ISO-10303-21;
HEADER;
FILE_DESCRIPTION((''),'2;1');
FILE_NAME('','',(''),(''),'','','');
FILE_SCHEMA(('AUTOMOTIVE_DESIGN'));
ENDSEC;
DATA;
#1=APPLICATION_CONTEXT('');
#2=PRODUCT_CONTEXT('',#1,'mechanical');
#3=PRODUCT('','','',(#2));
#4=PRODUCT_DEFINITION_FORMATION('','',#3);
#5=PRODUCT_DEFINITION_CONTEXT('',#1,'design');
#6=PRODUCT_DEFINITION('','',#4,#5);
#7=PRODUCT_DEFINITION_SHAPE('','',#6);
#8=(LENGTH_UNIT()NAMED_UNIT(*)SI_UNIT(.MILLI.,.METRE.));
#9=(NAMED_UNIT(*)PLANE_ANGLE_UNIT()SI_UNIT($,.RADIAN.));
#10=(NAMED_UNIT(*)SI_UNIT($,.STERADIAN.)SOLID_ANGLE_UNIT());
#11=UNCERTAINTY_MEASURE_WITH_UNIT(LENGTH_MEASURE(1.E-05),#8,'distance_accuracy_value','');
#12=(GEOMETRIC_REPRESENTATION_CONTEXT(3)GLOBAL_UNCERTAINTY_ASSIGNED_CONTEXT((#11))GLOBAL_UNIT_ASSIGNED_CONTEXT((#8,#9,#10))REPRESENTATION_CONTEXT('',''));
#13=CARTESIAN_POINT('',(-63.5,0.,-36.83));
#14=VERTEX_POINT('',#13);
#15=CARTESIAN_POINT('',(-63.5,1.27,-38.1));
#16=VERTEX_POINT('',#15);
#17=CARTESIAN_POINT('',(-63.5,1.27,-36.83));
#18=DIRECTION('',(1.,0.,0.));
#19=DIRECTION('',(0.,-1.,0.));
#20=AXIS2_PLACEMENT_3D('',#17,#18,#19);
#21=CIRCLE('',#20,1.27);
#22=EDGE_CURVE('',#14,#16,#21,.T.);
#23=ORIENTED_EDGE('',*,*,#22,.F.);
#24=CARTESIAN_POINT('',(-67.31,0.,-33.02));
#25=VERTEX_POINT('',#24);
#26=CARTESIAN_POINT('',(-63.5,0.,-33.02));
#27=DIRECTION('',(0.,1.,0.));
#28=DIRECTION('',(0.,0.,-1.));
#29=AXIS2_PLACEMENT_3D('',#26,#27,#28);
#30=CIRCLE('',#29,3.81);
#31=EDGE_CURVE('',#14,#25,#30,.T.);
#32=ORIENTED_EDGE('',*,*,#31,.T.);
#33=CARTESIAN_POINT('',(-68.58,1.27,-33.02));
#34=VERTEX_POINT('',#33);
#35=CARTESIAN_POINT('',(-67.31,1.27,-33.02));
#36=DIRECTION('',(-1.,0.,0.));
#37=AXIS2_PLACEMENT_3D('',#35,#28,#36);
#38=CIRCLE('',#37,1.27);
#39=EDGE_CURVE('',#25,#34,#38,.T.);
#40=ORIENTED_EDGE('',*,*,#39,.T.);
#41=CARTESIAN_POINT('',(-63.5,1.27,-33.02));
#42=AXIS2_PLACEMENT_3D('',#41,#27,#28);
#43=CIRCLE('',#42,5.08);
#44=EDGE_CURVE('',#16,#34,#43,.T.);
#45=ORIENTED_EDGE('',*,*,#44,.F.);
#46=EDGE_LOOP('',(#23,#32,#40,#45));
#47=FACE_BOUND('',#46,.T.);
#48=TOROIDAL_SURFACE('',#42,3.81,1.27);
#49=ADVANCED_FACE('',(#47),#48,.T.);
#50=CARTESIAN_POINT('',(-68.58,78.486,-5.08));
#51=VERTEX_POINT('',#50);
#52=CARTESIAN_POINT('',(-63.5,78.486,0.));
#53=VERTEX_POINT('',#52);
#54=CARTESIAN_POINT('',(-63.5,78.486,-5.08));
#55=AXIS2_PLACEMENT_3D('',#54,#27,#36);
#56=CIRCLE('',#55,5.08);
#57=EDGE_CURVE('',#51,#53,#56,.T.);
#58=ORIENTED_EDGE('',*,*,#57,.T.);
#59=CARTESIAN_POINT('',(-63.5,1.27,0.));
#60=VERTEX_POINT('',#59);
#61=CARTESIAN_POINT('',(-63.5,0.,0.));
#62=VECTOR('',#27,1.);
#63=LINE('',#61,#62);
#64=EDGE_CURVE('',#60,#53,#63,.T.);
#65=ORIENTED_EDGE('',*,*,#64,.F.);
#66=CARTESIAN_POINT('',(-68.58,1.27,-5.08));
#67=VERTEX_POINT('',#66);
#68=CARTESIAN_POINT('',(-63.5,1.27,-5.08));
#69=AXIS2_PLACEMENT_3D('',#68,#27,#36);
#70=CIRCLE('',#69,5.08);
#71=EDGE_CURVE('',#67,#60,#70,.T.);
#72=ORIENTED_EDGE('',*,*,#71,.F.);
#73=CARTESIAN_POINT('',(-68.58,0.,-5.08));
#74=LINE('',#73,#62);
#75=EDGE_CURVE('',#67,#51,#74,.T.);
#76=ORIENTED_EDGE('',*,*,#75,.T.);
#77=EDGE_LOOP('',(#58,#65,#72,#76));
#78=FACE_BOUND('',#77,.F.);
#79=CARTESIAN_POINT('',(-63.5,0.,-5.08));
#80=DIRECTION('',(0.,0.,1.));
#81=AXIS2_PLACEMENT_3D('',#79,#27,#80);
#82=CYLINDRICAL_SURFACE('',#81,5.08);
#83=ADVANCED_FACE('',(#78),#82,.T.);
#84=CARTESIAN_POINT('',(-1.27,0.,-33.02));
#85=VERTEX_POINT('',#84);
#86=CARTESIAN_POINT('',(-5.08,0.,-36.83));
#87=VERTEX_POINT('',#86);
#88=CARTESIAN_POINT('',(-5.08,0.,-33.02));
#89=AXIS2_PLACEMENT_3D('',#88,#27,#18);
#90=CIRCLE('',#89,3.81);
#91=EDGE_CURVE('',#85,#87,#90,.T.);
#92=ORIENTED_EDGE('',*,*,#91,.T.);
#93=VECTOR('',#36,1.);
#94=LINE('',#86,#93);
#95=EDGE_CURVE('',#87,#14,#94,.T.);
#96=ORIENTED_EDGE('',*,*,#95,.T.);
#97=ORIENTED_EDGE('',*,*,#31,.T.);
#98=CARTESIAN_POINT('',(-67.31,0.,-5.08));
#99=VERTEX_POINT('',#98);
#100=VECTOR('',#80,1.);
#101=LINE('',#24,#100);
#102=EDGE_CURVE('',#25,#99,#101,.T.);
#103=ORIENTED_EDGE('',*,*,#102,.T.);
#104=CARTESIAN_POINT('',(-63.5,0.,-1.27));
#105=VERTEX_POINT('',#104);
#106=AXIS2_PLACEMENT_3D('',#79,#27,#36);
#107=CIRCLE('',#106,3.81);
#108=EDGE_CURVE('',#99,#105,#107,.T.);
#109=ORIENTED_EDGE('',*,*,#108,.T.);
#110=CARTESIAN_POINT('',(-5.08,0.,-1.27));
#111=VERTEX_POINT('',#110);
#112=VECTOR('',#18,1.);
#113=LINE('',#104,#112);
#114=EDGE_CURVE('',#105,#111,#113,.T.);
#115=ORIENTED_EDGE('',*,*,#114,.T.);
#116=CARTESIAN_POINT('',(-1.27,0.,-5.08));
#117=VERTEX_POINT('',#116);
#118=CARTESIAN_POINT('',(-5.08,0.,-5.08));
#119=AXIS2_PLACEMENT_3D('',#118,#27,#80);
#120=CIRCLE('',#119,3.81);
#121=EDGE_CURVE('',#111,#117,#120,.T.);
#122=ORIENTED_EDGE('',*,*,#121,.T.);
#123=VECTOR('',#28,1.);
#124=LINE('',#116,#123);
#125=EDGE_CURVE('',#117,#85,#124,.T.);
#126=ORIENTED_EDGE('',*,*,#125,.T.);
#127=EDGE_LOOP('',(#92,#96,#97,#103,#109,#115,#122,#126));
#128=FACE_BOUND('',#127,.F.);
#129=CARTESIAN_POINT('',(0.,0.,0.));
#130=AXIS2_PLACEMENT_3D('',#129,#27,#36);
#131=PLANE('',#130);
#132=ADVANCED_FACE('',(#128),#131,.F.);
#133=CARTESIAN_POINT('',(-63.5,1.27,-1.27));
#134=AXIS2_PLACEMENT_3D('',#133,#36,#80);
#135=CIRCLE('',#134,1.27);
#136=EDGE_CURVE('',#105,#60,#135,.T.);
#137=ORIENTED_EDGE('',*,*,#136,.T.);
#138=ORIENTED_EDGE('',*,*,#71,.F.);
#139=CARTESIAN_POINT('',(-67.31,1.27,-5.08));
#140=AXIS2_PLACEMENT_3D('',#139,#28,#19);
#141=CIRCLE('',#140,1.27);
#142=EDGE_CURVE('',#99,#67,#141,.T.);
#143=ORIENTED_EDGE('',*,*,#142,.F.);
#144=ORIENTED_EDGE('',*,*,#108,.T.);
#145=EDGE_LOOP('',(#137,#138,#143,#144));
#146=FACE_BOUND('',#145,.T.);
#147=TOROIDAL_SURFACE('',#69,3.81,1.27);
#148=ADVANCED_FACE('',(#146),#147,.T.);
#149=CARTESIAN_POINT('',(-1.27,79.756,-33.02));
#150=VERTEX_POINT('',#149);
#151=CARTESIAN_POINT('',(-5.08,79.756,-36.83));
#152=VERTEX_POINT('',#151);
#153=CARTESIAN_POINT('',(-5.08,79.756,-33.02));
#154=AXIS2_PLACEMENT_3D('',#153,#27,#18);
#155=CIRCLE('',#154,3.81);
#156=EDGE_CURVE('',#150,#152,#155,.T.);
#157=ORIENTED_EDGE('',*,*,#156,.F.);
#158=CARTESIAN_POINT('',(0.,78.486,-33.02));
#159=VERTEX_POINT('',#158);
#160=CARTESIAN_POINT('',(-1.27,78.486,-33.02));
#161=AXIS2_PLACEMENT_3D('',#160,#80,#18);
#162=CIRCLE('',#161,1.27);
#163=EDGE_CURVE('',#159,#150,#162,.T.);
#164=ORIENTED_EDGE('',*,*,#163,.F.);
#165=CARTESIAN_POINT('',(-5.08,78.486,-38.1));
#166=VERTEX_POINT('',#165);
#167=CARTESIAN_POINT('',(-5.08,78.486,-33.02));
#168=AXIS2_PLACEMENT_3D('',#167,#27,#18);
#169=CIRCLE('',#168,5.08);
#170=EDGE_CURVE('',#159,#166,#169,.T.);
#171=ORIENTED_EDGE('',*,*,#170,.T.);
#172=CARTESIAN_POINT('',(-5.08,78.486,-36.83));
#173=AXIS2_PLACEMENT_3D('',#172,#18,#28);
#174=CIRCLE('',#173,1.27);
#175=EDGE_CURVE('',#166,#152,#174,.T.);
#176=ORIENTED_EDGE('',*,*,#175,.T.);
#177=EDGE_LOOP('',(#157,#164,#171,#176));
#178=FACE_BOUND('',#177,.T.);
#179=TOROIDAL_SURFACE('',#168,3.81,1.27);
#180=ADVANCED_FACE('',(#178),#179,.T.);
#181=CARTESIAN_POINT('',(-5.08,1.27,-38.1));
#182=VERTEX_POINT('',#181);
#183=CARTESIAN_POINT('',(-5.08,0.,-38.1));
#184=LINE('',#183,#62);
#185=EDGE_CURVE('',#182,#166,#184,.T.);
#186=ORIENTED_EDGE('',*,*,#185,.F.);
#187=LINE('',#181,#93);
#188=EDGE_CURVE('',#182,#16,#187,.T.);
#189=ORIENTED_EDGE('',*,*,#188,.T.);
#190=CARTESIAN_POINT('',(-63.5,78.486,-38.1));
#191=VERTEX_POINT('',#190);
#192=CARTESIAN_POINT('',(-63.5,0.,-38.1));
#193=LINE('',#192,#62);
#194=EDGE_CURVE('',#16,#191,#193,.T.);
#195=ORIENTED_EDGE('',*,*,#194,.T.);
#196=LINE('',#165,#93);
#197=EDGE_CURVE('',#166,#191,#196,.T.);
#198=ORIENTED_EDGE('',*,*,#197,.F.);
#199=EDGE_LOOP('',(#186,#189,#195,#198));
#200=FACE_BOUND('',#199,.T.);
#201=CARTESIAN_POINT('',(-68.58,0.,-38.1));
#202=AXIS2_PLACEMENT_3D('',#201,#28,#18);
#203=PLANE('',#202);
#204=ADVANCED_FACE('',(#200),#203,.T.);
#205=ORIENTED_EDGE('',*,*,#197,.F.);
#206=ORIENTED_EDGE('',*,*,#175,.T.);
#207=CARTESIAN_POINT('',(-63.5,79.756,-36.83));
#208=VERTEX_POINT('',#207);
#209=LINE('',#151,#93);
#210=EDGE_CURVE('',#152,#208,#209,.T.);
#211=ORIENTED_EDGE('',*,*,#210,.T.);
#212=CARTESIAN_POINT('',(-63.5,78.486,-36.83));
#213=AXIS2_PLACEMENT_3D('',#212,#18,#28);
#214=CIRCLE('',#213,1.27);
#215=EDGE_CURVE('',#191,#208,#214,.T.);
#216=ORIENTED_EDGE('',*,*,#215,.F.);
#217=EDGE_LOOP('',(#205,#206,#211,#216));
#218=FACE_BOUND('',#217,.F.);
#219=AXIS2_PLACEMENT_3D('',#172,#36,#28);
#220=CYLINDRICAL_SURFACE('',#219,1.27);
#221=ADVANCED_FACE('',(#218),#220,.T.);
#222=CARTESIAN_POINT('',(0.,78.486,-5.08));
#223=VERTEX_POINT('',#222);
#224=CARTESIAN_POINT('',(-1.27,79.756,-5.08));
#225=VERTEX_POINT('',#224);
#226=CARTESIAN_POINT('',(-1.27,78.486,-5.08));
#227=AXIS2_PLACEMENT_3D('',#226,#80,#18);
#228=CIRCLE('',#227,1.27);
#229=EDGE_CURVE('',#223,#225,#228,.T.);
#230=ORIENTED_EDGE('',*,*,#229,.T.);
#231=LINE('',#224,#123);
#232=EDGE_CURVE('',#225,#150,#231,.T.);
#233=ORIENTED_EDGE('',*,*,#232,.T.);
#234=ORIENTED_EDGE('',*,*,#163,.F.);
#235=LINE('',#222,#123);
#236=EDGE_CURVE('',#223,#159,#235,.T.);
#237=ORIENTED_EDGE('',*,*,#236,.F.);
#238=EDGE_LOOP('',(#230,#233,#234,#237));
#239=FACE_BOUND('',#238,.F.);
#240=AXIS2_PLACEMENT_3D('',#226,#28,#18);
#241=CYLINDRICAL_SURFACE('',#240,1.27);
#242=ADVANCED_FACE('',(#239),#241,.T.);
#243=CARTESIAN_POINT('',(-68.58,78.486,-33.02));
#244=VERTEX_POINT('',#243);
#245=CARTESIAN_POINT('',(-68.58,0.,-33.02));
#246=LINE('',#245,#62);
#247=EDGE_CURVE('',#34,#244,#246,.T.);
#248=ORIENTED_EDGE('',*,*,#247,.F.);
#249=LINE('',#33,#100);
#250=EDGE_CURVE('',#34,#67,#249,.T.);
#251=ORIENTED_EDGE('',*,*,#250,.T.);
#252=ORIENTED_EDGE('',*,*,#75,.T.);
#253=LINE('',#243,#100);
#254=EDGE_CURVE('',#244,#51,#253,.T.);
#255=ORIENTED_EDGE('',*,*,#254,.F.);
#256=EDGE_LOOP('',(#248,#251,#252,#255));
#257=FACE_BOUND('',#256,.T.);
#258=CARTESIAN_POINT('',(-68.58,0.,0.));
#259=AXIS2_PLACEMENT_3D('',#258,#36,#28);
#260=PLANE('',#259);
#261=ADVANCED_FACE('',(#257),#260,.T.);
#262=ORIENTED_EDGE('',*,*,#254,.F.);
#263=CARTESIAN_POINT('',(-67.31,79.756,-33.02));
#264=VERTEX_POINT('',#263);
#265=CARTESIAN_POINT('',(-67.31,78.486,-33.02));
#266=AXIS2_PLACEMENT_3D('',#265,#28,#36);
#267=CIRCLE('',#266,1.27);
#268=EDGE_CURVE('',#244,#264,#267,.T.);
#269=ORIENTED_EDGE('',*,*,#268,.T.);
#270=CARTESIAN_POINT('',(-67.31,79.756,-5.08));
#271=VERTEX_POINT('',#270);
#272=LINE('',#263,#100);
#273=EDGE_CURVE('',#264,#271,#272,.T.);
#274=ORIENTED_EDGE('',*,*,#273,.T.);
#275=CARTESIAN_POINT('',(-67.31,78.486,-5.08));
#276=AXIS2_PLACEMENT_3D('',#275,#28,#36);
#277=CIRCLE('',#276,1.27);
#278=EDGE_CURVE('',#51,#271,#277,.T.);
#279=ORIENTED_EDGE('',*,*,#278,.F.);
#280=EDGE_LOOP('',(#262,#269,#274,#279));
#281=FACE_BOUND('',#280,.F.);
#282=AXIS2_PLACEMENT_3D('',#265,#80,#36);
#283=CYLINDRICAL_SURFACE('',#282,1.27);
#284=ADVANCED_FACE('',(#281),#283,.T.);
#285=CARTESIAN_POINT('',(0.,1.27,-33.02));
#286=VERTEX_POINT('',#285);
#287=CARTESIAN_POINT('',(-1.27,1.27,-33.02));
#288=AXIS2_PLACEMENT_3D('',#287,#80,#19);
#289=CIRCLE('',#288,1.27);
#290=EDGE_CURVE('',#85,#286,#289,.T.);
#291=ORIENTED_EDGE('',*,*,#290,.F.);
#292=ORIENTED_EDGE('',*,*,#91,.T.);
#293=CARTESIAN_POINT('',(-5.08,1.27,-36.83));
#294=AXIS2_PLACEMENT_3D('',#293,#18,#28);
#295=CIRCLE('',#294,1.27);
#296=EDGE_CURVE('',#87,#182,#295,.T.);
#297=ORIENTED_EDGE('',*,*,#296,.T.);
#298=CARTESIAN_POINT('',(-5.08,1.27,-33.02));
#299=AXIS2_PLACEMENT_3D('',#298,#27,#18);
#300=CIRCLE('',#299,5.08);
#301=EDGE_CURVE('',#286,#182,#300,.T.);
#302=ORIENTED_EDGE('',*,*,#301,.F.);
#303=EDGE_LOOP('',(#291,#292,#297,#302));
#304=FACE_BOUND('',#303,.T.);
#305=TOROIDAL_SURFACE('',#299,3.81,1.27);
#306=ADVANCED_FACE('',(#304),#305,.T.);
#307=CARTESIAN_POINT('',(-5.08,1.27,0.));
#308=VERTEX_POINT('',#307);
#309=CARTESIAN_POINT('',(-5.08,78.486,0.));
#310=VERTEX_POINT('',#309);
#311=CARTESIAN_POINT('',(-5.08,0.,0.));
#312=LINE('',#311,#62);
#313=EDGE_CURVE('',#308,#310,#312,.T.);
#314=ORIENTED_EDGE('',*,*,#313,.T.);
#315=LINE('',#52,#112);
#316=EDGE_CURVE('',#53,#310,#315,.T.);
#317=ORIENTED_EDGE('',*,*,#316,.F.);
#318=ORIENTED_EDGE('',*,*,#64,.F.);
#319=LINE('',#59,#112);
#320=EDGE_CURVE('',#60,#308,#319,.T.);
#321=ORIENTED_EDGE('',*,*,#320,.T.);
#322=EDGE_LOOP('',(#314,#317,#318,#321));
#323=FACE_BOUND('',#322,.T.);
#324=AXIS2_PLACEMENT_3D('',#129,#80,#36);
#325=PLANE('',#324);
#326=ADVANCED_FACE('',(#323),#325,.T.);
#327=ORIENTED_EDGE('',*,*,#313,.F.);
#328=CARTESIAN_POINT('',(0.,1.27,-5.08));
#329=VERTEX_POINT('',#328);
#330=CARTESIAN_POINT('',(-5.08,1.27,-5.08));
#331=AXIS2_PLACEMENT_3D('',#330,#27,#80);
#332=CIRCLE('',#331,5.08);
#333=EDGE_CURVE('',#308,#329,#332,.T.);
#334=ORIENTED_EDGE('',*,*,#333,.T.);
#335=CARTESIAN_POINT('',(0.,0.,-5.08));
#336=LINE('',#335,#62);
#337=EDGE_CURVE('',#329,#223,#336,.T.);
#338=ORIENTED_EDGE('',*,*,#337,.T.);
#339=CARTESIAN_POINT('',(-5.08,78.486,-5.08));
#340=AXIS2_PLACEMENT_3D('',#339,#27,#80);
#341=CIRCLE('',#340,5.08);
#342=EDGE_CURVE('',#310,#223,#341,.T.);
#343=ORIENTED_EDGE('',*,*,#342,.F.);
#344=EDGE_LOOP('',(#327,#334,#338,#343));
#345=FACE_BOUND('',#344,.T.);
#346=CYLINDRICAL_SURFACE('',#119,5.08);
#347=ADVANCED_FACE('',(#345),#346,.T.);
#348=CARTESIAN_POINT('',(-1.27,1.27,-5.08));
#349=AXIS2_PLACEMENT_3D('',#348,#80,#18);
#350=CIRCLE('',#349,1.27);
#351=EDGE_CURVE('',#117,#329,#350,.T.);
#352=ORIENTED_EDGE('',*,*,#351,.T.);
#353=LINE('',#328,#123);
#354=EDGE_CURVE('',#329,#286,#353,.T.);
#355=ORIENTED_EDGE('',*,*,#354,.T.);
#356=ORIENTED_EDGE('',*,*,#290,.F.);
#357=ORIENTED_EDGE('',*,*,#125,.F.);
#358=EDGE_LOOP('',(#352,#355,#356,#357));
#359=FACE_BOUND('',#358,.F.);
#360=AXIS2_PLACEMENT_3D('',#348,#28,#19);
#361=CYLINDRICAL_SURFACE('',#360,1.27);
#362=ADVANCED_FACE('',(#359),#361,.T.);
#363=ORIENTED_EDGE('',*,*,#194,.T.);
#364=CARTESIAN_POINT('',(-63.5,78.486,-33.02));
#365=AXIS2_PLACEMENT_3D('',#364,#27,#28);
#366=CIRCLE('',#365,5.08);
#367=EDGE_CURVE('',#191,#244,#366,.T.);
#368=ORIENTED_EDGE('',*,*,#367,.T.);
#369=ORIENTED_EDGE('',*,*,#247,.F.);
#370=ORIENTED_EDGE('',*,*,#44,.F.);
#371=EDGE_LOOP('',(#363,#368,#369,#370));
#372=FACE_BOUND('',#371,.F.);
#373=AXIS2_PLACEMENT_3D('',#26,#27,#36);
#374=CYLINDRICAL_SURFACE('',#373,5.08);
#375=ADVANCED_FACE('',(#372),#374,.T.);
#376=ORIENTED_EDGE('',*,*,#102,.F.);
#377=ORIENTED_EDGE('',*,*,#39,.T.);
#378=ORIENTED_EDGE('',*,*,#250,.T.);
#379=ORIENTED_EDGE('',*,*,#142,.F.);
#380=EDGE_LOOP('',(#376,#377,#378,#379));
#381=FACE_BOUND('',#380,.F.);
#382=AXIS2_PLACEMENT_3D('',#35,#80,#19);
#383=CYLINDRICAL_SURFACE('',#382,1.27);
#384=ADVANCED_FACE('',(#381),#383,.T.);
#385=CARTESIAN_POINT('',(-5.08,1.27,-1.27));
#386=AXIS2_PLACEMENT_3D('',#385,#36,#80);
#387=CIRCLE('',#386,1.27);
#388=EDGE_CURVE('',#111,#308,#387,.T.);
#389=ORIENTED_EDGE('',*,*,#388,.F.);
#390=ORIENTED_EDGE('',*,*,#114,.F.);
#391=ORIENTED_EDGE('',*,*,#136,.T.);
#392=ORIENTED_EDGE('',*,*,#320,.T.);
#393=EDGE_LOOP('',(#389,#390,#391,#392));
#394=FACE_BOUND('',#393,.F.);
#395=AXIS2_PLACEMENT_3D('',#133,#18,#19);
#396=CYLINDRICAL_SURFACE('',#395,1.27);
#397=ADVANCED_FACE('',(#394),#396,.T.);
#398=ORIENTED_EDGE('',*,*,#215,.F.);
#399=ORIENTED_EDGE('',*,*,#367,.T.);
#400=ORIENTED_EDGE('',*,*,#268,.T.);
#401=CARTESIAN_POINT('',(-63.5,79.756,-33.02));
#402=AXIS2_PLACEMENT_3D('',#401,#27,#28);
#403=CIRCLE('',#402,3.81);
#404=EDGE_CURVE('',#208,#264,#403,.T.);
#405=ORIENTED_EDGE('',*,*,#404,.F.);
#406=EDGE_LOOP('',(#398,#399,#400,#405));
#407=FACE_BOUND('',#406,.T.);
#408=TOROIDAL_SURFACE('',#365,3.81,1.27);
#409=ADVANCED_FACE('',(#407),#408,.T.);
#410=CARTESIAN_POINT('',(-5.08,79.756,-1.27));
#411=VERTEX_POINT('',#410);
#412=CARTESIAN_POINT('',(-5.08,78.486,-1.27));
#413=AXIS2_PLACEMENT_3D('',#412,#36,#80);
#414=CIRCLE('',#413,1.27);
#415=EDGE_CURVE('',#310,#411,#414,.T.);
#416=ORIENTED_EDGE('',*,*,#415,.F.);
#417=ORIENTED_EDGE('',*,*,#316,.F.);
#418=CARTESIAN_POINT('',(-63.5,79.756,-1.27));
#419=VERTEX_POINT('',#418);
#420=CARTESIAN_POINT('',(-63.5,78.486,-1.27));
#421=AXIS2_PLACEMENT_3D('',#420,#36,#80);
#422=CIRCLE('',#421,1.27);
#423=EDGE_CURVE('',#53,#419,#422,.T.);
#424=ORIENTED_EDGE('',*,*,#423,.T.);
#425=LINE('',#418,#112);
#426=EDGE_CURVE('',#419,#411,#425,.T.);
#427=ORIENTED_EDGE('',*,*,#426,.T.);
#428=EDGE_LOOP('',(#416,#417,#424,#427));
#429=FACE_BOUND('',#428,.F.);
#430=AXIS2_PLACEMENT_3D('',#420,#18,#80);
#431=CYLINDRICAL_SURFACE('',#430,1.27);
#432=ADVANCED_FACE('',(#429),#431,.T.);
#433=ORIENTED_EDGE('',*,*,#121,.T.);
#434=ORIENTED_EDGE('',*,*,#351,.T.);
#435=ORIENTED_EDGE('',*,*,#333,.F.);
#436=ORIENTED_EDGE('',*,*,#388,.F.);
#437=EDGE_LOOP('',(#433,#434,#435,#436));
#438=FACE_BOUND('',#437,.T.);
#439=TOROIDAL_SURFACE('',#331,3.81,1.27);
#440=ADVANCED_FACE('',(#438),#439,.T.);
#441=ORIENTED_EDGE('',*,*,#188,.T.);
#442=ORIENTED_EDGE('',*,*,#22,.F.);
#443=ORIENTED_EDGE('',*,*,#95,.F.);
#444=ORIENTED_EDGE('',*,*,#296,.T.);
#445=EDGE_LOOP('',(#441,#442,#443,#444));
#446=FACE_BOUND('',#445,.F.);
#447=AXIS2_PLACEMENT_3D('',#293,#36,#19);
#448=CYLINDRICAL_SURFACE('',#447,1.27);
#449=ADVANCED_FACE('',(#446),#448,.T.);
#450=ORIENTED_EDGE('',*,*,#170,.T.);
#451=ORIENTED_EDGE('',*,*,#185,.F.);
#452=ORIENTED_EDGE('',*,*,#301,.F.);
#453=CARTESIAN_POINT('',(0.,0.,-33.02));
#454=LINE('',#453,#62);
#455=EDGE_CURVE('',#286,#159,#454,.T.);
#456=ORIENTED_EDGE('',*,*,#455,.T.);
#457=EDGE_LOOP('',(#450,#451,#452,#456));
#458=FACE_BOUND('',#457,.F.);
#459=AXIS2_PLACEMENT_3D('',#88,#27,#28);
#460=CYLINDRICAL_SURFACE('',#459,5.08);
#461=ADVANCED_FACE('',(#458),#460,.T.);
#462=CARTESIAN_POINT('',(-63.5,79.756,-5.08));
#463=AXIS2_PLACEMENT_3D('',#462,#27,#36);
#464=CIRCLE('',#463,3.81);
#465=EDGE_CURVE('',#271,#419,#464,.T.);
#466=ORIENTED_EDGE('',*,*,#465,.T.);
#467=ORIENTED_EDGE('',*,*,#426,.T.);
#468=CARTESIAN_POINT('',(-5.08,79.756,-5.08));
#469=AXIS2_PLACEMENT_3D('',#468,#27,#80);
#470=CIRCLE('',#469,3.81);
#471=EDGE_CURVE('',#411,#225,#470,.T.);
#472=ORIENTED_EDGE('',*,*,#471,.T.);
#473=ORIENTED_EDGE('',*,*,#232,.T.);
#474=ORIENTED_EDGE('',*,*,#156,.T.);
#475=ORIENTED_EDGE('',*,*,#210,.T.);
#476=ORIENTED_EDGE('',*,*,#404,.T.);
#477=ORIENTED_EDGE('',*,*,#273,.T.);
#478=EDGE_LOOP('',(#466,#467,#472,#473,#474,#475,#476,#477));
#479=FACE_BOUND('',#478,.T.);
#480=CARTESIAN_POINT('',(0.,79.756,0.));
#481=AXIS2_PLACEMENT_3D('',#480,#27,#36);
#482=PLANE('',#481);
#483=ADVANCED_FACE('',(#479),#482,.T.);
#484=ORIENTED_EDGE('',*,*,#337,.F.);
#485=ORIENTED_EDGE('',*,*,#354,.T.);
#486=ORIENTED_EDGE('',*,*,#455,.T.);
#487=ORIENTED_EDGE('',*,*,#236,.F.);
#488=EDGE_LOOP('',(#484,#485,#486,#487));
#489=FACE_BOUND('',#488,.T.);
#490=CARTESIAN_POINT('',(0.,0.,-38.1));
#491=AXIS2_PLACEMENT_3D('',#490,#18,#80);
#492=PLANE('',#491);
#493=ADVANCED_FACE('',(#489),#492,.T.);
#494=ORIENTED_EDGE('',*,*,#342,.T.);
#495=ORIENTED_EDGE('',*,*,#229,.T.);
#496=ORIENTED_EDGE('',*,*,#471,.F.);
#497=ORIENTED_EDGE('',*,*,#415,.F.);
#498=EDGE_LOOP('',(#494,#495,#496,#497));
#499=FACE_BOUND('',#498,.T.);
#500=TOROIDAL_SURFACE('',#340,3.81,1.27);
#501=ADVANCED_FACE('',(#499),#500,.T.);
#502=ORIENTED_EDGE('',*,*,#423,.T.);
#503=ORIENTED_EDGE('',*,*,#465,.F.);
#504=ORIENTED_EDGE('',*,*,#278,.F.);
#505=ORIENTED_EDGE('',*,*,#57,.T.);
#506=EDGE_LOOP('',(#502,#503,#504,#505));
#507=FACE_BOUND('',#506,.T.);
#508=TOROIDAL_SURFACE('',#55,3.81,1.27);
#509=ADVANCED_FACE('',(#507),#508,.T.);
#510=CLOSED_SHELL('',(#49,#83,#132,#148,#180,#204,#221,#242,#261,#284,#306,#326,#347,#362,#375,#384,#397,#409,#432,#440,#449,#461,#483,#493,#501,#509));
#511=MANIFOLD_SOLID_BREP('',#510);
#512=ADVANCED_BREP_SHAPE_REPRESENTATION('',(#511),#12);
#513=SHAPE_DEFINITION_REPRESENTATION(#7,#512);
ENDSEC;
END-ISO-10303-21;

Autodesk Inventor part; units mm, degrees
ref_plane "YZ Plane" through (0, 0, 0) normal (1, 0, 0) x (0, 1, 0)
ref_plane "XZ Plane" through (0, 0, 0) normal (0, 1, 0) x (-1, 0, 0)
ref_plane "XY Plane" through (0, 0, 0) normal (0, 0, 1) x (1, 0, 0)
sketch "Sketch1" plane through (0, 0, 0) normal (0, 1, 0) x (-1, 0, 0)
  line L0 (0, 0) -> (68.58, 0)
  line L1 (68.58, 0) -> (68.58, -38.1)
  line L2 (68.58, -38.1) -> (0, -38.1)
  line L3 (0, -38.1) -> (0, 0)
  dimension "d0" = 68.58
  dimension "d1" = 38.1
extrude "Extrusion1" add sketch "Sketch1" along normal blind 79.756
fillet "Fillet1" radius 5.08 4 edges at (0, 39.878, 0) (0, 39.878, -38.1) (-68.58, 39.878, -38.1) (-68.58, 39.878, 0)
fillet "Fillet2" radius 1.27 16 edges at (-1.4879, 79.756, -1.4879) (0, 79.756, -19.05) (-1.4879, 79.756, -36.6121) (-34.29, 79.756, -38.1) (-67.0921, 79.756, -36.6121) (-68.58, 79.756, -19.05) (-67.0921, 79.756, -1.4879) (-34.29, 79.756, 0) (-1.4879, 0, -1.4879) (0, 0, -19.05) (-1.4879, 0, -36.6121) (-34.29, 0, -38.1) (-67.0921, 0, -36.6121) (-68.58, 0, -19.05) (-67.0921, 0, -1.4879) (-34.29, 0, 0)
properties part number "Battery Pack"
